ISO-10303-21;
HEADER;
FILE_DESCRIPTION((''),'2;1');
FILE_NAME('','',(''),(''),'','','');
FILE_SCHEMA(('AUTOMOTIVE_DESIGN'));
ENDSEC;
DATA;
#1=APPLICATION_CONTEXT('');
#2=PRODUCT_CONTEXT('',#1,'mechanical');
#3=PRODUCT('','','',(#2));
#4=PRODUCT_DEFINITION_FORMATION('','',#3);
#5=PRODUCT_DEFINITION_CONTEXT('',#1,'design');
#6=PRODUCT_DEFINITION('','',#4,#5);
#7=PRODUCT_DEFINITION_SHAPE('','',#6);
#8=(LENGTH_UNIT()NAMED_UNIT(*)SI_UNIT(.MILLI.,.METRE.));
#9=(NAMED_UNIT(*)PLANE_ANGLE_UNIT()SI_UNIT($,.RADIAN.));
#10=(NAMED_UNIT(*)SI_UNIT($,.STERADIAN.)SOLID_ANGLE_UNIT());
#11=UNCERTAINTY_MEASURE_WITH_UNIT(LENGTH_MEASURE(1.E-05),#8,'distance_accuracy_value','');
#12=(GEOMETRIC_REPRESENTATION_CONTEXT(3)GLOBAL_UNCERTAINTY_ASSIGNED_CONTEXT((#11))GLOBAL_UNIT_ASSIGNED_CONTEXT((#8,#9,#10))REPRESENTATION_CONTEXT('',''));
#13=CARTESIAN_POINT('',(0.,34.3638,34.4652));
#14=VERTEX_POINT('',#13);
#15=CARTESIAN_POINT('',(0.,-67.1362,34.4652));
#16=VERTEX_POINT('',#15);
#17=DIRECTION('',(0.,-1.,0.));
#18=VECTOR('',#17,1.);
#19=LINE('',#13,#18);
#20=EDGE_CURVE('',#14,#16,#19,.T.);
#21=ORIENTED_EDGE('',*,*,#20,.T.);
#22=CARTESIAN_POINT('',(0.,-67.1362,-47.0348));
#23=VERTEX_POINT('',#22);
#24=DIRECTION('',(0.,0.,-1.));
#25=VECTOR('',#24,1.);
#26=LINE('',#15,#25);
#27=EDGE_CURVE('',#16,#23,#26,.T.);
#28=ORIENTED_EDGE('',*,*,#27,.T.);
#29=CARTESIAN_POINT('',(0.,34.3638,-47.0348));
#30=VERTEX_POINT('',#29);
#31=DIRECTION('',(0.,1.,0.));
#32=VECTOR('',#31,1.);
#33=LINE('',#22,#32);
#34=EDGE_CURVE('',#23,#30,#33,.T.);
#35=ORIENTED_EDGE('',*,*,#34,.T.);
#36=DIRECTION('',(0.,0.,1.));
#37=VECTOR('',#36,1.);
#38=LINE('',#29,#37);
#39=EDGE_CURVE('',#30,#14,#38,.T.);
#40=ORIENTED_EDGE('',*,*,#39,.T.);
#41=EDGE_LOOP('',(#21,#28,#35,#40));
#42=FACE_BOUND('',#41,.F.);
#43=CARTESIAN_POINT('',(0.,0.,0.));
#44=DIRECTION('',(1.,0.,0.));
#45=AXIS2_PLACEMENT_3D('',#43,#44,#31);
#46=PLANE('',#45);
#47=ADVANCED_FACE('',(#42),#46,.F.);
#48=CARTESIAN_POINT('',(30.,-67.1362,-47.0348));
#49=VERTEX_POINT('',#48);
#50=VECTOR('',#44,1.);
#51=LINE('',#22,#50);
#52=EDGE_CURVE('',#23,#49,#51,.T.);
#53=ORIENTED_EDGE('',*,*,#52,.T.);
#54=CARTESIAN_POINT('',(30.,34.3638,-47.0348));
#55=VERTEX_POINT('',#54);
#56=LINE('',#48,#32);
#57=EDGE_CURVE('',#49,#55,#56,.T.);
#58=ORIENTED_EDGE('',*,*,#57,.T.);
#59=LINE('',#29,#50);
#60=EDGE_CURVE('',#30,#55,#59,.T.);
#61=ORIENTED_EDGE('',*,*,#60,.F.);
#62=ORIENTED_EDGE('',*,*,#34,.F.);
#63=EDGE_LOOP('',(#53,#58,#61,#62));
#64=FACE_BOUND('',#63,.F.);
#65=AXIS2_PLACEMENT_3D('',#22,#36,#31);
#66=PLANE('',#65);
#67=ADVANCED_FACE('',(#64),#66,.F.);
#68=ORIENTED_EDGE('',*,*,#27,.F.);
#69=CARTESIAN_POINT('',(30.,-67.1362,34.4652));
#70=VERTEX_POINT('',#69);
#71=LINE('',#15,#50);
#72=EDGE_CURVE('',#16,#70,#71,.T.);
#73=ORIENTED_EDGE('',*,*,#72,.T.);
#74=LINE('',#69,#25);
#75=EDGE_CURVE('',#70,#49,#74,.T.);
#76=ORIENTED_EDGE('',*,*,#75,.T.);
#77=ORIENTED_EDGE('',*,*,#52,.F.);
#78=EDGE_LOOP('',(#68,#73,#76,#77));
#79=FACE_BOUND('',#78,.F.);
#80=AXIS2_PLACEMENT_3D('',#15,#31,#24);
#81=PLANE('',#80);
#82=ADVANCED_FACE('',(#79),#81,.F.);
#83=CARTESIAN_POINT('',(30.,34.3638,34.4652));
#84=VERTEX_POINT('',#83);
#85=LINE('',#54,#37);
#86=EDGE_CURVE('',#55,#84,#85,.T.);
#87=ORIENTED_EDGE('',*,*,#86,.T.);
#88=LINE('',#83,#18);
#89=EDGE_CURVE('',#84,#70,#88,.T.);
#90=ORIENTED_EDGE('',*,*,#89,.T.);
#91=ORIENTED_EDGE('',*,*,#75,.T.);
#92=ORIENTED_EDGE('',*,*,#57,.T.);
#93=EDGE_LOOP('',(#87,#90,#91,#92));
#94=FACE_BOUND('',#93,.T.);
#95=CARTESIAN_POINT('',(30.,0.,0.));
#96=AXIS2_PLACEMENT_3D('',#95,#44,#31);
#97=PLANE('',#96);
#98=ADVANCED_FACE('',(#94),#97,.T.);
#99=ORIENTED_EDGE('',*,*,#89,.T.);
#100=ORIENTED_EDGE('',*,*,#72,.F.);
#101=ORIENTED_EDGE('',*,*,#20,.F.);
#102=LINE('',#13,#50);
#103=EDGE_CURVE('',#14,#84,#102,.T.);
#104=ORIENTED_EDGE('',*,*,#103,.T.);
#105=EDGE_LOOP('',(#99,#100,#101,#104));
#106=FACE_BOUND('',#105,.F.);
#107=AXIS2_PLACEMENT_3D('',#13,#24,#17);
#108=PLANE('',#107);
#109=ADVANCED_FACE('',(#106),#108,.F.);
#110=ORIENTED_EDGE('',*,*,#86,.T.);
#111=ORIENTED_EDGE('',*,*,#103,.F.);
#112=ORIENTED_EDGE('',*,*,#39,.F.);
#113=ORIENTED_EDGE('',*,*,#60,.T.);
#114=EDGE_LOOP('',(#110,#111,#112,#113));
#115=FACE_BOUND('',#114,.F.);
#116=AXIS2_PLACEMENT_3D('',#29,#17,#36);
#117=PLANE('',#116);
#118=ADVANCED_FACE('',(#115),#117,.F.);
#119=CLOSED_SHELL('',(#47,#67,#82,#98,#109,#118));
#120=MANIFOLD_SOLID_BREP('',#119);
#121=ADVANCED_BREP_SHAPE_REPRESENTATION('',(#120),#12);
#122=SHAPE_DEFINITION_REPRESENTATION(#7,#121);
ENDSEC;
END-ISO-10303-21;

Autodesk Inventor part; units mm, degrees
ref_plane "YZ Plane" through (0, 0, 0) normal (1, 0, 0) x (0, 1, 0)
ref_plane "XZ Plane" through (0, 0, 0) normal (0, 1, 0) x (-1, 0, 0)
ref_plane "XY Plane" through (0, 0, 0) normal (0, 0, 1) x (1, 0, 0)
sketch "Sketch1" plane through (0, 0, 0) normal (1, 0, 0) x (0, 1, 0)
  line L0 (34.3638, 34.4652) -> (-67.1362, 34.4652)
  line L1 (-67.1362, 34.4652) -> (-67.1362, -47.0348)
  line L2 (-67.1362, -47.0348) -> (34.3638, -47.0348)
  line L3 (34.3638, -47.0348) -> (34.3638, 34.4652)
  point P0 (0, 0)
  dimension "d0" = 81.5
  dimension "d1" = 101.5
extrude "Extrusion1" add sketch "Sketch1" along normal blind 30
properties part number "fart"
